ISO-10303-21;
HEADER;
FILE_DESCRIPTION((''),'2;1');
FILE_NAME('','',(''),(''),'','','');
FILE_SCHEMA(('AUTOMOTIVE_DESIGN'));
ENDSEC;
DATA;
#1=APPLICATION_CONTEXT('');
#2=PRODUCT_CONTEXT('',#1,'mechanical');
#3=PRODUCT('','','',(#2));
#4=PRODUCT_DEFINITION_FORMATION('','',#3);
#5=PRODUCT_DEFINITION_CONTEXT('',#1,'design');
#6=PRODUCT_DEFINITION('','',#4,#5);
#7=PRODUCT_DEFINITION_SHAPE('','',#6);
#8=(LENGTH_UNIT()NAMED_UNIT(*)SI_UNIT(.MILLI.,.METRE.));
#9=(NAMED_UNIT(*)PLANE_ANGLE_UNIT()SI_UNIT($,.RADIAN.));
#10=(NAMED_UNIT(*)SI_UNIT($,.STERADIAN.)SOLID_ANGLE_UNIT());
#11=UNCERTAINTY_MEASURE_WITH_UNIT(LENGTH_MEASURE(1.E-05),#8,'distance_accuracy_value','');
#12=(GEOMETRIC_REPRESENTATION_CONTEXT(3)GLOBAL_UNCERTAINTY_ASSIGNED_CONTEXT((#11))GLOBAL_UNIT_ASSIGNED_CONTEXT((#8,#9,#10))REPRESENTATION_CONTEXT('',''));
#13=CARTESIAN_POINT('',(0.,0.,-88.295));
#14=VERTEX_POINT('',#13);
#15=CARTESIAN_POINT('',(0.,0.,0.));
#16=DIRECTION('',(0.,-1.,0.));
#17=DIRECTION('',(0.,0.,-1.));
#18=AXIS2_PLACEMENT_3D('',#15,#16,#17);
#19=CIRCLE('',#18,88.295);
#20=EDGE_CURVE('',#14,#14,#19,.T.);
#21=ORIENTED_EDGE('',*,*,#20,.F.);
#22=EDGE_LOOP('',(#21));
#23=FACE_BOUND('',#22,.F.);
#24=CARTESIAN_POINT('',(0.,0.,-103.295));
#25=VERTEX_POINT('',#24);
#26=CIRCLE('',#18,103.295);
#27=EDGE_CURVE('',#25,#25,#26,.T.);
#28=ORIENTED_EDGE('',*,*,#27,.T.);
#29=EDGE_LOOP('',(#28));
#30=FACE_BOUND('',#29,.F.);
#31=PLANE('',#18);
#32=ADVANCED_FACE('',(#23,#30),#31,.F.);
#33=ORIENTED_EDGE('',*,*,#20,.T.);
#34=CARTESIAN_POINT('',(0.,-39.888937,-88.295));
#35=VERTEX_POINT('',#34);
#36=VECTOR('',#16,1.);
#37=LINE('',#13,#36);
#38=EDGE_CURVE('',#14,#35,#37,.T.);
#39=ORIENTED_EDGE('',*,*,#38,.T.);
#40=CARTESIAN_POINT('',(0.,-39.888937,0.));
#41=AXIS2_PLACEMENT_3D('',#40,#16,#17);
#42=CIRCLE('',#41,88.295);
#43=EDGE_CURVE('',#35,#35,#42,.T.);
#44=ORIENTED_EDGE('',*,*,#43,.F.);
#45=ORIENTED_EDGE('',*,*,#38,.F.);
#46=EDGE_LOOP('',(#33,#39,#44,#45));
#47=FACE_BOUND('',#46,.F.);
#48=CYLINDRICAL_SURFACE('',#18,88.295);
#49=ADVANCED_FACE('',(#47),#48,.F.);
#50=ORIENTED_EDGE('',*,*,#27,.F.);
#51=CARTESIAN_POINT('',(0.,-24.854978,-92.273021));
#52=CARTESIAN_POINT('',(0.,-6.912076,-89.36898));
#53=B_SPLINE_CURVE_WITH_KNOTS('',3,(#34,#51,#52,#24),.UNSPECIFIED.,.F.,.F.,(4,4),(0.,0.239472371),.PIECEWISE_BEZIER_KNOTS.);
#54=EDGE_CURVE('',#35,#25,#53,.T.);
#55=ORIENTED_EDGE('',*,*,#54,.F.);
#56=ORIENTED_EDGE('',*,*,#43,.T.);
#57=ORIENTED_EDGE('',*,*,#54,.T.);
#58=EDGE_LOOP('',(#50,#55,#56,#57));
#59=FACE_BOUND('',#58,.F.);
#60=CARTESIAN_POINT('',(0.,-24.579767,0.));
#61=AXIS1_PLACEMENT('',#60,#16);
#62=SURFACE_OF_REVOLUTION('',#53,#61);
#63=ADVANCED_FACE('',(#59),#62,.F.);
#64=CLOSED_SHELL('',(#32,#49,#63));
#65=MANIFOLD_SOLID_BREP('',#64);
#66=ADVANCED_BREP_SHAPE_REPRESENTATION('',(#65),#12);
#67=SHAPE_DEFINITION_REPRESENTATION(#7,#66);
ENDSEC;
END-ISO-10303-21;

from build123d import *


with BuildPart() as f1:
    # F0 (on Right) → F1 (revolve)
    with BuildSketch(Plane.YZ):
        with BuildLine():
            Line((0, -103.295), (0, -88.295))
            Line((0, -88.295), (-39.8889370263, -88.295))
            add(Edge.make_bspline(
                [(-39.8889370263, -88.295), (-24.8549778066, -92.2730206986), (-6.912075998, -89.3689801081), (0, -103.295)],
                knots=[0, 0, 0, 0, 0.2394723711, 0.2394723711, 0.2394723711, 0.2394723711], degree=3))
        make_face()
    revolve(axis=Axis((0, -24.5797671378, 0), (0, -1, 0)))


solid = f1.part
